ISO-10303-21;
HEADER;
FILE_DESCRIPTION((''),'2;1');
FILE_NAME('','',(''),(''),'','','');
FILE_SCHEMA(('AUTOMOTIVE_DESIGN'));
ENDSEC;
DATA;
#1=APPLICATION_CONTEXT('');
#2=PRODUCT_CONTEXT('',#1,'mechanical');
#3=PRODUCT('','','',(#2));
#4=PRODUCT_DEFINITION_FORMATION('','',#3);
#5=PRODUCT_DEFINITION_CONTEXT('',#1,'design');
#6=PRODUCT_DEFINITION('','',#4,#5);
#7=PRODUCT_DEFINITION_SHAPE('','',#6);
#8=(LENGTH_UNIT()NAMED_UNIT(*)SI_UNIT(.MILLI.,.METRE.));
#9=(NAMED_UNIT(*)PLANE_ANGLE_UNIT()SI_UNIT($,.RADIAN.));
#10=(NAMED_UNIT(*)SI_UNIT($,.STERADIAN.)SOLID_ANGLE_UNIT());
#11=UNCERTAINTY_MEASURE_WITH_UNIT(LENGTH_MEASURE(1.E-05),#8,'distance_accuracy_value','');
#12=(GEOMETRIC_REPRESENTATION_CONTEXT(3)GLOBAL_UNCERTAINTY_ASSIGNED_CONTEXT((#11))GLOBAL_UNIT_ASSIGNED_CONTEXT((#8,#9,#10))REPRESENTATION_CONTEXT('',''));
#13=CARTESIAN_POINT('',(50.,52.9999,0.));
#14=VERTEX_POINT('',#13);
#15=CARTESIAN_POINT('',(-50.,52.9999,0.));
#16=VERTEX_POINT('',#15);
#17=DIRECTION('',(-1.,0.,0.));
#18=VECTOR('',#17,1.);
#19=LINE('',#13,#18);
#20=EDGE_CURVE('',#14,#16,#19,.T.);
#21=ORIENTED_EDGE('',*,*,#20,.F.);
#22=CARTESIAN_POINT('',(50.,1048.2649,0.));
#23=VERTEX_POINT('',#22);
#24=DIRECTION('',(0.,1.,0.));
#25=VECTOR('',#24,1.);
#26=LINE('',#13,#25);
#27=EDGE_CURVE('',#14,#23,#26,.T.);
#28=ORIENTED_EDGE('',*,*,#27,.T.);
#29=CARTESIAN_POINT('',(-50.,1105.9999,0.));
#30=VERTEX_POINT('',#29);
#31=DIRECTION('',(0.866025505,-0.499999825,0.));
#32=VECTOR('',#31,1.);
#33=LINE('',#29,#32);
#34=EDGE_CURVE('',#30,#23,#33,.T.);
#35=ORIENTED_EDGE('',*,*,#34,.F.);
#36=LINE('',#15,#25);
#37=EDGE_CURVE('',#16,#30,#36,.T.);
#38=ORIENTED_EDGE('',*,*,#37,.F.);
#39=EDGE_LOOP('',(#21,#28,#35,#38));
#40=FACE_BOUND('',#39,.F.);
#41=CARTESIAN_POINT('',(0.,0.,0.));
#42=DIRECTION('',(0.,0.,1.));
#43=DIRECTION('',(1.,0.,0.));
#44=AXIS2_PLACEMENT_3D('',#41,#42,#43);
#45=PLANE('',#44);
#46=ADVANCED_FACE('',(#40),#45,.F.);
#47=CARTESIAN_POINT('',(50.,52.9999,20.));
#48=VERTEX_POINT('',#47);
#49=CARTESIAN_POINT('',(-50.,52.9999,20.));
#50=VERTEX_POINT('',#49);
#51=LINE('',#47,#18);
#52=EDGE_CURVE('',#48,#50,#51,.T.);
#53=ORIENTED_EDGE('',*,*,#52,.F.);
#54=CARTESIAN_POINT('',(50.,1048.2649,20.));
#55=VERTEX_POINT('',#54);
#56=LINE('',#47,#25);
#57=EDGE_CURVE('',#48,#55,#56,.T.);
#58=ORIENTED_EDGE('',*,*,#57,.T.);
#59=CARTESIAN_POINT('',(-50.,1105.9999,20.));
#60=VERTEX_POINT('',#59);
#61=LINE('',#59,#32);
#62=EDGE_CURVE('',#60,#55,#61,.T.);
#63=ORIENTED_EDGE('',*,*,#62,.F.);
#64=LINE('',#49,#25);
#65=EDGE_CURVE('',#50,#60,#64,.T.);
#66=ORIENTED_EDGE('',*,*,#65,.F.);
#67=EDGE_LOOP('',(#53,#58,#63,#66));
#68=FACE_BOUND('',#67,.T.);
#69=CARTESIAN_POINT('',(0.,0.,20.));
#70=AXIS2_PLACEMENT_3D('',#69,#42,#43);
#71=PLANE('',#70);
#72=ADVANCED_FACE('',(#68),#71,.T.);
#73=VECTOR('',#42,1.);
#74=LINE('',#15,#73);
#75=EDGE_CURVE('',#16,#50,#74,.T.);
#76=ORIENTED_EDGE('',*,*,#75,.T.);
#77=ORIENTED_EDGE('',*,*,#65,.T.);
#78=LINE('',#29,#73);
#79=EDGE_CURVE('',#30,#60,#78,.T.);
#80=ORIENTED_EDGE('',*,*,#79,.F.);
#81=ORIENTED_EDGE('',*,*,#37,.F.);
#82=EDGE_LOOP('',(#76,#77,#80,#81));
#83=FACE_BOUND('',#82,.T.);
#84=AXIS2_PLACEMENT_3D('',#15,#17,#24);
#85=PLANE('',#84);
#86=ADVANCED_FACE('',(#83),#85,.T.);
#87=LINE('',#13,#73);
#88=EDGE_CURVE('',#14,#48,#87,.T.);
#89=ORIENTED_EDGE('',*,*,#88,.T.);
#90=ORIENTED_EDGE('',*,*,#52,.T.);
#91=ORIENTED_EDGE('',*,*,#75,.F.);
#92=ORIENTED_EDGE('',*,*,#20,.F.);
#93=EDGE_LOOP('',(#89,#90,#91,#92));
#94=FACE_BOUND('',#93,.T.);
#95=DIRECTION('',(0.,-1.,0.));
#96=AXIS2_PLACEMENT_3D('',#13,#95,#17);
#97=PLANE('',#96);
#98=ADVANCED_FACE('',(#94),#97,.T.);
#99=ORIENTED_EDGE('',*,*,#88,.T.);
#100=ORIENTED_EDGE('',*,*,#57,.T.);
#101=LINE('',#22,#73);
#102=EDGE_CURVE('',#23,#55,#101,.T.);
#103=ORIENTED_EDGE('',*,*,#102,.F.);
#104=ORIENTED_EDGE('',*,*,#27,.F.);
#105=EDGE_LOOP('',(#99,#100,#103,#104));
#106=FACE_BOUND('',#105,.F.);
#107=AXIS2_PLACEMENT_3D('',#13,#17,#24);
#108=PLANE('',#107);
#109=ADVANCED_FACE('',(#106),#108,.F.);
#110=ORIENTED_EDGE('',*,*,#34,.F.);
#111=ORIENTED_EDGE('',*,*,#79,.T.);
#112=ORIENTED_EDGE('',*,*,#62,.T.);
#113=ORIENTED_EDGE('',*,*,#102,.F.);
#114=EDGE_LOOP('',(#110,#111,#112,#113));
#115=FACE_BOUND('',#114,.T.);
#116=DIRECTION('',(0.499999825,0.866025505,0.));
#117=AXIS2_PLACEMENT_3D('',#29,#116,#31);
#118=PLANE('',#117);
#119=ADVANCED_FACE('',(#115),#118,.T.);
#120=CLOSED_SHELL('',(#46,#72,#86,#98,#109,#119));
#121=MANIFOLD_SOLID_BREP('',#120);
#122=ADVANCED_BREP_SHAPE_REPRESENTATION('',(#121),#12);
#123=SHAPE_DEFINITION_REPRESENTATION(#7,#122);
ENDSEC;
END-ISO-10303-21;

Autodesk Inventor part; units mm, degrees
ref_plane "YZ Plane" through (0, 0, 0) normal (1, 0, 0) x (0, 1, 0)
ref_plane "XZ Plane" through (0, 0, 0) normal (0, 1, 0) x (-1, 0, 0)
ref_plane "XY Plane" through (0, 0, 0) normal (0, 0, 1) x (1, 0, 0)
sketch "Sketch1" plane through (0, 0, 0) normal (0, 0, 1) x (1, 0, 0)
  line L0 (50, 52.9999) -> (-50, 52.9999)
  line L1 (-50, 52.9999) -> (-50, 1105.9999)
  line L2 (50, 52.9999) -> (50, 1048.2649)
  line L3 (-50, 1105.9999) -> (50, 1048.2649)
  dimension "d2" = 995.265
  dimension "d6" = 1053
extrude "Extrusion1" add sketch "Sketch1" along normal blind 20
